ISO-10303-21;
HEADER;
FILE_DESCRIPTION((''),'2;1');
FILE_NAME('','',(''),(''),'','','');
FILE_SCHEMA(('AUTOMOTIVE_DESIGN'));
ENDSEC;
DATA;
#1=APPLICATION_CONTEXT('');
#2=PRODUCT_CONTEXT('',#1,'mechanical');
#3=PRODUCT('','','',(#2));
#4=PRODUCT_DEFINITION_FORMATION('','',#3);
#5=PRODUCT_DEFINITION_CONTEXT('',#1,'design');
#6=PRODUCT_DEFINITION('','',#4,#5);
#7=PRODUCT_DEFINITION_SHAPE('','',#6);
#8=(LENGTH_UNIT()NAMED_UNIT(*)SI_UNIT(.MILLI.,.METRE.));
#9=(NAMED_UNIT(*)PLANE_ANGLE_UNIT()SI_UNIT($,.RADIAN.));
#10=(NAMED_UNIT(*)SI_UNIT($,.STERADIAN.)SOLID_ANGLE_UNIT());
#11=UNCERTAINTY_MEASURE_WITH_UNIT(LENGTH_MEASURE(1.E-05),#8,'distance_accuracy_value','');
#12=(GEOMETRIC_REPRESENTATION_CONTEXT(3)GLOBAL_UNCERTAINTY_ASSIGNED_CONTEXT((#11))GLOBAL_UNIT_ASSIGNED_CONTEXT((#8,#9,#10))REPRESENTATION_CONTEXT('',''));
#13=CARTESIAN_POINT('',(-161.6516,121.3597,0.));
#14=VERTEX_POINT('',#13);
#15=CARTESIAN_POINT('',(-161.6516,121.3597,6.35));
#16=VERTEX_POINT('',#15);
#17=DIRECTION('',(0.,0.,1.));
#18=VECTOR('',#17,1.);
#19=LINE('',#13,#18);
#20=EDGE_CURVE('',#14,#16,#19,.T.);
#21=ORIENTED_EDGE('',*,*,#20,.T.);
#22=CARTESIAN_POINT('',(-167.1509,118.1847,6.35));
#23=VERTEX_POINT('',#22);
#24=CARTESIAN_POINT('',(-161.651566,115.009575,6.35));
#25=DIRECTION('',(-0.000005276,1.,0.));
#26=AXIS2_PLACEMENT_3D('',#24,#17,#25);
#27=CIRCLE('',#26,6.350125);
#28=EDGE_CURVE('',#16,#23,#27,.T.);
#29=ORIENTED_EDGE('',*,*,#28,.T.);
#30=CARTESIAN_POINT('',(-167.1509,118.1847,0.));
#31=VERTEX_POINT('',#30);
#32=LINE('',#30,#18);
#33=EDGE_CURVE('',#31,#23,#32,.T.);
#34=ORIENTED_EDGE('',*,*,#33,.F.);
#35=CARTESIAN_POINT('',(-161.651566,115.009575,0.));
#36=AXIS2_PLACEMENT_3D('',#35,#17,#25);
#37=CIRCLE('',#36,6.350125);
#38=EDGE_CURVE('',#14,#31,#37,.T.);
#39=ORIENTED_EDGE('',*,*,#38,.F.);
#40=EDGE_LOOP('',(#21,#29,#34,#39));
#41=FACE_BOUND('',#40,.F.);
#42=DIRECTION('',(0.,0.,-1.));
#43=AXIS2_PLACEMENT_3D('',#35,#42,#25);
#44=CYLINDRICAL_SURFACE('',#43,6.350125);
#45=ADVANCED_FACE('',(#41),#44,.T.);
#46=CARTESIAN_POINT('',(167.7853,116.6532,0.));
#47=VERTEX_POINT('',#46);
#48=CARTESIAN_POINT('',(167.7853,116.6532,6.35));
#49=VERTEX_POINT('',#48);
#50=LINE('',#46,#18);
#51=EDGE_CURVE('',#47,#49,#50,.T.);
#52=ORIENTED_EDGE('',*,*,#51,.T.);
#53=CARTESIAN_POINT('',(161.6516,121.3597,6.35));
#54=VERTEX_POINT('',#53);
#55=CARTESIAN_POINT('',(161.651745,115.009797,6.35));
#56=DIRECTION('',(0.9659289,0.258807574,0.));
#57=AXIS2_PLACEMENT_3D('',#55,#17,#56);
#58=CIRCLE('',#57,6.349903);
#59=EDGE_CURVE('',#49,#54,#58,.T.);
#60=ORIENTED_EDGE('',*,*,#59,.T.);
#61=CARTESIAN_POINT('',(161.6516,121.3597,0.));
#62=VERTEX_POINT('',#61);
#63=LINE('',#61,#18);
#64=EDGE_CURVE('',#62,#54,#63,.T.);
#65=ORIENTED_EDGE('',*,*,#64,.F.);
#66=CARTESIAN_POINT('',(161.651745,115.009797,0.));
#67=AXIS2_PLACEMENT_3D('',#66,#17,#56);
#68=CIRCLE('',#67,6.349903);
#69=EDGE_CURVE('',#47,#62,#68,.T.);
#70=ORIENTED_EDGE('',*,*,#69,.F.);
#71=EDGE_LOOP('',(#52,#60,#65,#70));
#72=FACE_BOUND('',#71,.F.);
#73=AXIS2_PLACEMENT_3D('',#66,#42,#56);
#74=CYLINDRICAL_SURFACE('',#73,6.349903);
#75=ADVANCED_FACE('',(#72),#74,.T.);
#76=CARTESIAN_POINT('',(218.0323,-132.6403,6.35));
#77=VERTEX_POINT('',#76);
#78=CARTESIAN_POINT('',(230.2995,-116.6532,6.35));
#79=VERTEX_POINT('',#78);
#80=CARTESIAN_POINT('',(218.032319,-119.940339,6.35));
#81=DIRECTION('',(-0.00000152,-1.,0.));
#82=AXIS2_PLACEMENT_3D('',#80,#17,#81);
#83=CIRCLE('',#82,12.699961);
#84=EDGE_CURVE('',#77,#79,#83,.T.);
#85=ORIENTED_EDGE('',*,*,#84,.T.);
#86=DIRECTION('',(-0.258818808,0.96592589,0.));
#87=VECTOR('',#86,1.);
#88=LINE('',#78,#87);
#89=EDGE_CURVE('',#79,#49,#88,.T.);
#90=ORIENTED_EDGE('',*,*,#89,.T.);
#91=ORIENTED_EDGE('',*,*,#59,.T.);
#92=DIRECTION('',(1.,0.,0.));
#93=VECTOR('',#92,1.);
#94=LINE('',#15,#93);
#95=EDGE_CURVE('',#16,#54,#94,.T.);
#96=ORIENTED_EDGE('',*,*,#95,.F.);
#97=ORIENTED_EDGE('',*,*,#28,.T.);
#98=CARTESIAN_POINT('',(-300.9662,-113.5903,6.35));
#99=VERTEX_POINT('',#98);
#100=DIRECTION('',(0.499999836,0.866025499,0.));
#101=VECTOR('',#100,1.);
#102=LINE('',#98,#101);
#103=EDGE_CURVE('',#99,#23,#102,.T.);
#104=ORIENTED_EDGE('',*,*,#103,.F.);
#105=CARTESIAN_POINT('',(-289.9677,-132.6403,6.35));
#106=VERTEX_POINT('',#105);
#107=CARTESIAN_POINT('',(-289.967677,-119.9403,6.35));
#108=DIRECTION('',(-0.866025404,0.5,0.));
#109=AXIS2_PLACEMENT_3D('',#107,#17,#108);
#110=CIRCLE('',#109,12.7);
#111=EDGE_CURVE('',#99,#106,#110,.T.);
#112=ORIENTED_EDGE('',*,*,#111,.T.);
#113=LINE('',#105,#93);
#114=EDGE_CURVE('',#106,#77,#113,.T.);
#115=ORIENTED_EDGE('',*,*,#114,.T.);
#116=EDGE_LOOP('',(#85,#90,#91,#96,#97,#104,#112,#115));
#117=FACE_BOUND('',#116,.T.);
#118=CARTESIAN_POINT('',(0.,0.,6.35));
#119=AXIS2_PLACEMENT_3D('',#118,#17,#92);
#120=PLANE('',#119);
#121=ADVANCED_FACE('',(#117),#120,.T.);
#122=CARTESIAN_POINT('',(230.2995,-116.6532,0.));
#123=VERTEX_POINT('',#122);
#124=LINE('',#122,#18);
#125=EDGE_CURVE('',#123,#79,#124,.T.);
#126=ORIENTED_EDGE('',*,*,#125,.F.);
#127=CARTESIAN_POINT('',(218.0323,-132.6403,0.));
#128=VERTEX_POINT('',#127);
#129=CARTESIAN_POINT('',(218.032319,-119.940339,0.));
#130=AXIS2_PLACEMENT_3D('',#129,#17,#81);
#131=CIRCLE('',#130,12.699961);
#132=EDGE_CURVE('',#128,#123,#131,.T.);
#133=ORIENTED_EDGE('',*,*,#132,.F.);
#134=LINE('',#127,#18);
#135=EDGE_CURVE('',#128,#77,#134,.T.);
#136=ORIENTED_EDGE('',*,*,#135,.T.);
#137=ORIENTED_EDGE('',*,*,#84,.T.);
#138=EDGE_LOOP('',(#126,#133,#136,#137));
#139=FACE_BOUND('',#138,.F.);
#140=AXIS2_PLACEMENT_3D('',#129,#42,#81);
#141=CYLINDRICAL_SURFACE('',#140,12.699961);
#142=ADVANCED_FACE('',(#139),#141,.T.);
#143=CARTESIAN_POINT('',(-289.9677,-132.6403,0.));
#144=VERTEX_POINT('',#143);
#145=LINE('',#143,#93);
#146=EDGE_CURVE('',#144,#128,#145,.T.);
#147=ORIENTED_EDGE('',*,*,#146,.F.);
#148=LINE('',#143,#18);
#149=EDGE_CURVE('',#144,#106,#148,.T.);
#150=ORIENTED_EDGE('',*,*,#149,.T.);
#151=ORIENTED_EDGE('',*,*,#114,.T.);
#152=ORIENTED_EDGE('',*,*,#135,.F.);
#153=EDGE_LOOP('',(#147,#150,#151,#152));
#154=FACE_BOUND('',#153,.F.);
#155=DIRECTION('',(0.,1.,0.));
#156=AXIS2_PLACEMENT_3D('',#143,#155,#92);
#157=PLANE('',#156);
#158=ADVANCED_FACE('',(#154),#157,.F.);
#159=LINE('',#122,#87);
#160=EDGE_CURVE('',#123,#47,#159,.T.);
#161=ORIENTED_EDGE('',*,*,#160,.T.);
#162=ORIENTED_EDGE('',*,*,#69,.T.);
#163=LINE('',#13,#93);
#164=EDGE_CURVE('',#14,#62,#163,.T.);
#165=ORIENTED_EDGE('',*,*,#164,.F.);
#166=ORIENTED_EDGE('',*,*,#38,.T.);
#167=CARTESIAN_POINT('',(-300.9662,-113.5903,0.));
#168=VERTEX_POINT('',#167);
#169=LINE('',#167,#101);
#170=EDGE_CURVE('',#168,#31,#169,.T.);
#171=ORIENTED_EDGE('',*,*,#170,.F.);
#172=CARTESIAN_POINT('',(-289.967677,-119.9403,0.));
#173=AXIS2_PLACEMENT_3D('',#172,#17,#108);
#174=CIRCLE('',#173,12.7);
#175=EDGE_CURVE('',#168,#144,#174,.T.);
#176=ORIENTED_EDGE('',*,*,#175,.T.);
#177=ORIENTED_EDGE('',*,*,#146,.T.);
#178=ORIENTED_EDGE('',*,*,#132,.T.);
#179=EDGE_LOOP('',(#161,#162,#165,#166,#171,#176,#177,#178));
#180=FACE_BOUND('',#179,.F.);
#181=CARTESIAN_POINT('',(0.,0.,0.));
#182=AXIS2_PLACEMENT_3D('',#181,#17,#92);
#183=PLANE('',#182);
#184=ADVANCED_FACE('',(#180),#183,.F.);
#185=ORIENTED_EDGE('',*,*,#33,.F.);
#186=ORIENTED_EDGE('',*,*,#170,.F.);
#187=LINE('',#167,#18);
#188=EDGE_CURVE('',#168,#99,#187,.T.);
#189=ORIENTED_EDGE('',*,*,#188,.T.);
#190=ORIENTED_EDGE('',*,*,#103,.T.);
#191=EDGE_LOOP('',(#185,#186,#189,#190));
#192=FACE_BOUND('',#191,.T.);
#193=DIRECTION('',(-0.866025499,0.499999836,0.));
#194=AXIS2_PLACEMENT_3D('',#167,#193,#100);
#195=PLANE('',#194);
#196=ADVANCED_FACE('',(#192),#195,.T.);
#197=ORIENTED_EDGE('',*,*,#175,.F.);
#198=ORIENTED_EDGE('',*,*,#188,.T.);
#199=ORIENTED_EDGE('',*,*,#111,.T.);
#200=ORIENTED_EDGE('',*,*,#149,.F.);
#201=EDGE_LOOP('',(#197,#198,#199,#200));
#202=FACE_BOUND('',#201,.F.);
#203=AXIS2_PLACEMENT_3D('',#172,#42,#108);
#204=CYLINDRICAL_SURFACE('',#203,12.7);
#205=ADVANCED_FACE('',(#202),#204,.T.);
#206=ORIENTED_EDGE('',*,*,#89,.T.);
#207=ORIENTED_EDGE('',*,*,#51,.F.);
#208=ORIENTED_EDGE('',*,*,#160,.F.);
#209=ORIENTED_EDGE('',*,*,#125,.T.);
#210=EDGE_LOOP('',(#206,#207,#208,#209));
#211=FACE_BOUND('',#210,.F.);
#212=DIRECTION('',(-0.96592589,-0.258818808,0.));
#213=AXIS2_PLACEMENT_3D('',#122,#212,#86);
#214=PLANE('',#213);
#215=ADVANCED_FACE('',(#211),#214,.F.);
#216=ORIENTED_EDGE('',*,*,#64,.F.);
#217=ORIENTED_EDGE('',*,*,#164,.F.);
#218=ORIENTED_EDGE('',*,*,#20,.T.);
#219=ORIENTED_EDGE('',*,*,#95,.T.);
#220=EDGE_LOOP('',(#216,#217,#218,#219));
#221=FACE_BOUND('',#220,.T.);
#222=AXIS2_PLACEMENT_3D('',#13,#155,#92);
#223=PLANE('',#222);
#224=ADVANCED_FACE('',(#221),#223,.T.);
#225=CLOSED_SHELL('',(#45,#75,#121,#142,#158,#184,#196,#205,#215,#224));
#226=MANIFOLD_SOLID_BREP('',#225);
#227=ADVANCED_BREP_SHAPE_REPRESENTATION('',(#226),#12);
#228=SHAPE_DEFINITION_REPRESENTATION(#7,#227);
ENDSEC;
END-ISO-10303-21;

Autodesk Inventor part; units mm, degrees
ref_plane "YZ Plane" through (0, 0, 0) normal (1, 0, 0) x (0, 1, 0)
ref_plane "XZ Plane" through (0, 0, 0) normal (0, 1, 0) x (-1, 0, 0)
ref_plane "XY Plane" through (0, 0, 0) normal (0, 0, 1) x (1, 0, 0)
sketch "Sketch1" plane through (0, 0, 0) normal (0, 0, 1) x (1, 0, 0)
  line L0 (-289.9677, -132.6403) -> (218.0323, -132.6403)
  line L1 (230.2995, -116.6532) -> (167.7853, 116.6532)
  line L2 (-300.9662, -113.5903) -> (-167.1509, 118.1847)
  line L3 (-311.9648, -132.6403) -> (-44.334, -132.6403) construction
  line L4 (-161.6516, 121.3597) -> (161.6516, 121.3597)
  arc A0 (167.7853, 116.6532) -> (161.6516, 121.3597) centre (161.6516, 115.0097) ccw
  arc A1 (-161.6516, 121.3597) -> (-167.1509, 118.1847) centre (-161.6516, 115.0097) ccw
  arc A2 (-300.9662, -113.5903) -> (-289.9677, -132.6403) centre (-289.9677, -119.9403) ccw
  arc A3 (218.0323, -132.6403) -> (230.2995, -116.6532) centre (218.0323, -119.9403) ccw
  point P0 (0, 0)
  point P1 (0, 121.3597)
  point P2 (199.0424, 0)
  dimension "d0" = 75
  dimension "d1" = 60
  dimension "d2" = 6.35
  dimension "d3" = 6.35
  dimension "d4" = 12.7
  dimension "d5" = 508
  dimension "d11" = 254
extrude "Extrusion1" add sketch "Sketch1" along normal blind 6.35
properties part number "Chair Support Side"
